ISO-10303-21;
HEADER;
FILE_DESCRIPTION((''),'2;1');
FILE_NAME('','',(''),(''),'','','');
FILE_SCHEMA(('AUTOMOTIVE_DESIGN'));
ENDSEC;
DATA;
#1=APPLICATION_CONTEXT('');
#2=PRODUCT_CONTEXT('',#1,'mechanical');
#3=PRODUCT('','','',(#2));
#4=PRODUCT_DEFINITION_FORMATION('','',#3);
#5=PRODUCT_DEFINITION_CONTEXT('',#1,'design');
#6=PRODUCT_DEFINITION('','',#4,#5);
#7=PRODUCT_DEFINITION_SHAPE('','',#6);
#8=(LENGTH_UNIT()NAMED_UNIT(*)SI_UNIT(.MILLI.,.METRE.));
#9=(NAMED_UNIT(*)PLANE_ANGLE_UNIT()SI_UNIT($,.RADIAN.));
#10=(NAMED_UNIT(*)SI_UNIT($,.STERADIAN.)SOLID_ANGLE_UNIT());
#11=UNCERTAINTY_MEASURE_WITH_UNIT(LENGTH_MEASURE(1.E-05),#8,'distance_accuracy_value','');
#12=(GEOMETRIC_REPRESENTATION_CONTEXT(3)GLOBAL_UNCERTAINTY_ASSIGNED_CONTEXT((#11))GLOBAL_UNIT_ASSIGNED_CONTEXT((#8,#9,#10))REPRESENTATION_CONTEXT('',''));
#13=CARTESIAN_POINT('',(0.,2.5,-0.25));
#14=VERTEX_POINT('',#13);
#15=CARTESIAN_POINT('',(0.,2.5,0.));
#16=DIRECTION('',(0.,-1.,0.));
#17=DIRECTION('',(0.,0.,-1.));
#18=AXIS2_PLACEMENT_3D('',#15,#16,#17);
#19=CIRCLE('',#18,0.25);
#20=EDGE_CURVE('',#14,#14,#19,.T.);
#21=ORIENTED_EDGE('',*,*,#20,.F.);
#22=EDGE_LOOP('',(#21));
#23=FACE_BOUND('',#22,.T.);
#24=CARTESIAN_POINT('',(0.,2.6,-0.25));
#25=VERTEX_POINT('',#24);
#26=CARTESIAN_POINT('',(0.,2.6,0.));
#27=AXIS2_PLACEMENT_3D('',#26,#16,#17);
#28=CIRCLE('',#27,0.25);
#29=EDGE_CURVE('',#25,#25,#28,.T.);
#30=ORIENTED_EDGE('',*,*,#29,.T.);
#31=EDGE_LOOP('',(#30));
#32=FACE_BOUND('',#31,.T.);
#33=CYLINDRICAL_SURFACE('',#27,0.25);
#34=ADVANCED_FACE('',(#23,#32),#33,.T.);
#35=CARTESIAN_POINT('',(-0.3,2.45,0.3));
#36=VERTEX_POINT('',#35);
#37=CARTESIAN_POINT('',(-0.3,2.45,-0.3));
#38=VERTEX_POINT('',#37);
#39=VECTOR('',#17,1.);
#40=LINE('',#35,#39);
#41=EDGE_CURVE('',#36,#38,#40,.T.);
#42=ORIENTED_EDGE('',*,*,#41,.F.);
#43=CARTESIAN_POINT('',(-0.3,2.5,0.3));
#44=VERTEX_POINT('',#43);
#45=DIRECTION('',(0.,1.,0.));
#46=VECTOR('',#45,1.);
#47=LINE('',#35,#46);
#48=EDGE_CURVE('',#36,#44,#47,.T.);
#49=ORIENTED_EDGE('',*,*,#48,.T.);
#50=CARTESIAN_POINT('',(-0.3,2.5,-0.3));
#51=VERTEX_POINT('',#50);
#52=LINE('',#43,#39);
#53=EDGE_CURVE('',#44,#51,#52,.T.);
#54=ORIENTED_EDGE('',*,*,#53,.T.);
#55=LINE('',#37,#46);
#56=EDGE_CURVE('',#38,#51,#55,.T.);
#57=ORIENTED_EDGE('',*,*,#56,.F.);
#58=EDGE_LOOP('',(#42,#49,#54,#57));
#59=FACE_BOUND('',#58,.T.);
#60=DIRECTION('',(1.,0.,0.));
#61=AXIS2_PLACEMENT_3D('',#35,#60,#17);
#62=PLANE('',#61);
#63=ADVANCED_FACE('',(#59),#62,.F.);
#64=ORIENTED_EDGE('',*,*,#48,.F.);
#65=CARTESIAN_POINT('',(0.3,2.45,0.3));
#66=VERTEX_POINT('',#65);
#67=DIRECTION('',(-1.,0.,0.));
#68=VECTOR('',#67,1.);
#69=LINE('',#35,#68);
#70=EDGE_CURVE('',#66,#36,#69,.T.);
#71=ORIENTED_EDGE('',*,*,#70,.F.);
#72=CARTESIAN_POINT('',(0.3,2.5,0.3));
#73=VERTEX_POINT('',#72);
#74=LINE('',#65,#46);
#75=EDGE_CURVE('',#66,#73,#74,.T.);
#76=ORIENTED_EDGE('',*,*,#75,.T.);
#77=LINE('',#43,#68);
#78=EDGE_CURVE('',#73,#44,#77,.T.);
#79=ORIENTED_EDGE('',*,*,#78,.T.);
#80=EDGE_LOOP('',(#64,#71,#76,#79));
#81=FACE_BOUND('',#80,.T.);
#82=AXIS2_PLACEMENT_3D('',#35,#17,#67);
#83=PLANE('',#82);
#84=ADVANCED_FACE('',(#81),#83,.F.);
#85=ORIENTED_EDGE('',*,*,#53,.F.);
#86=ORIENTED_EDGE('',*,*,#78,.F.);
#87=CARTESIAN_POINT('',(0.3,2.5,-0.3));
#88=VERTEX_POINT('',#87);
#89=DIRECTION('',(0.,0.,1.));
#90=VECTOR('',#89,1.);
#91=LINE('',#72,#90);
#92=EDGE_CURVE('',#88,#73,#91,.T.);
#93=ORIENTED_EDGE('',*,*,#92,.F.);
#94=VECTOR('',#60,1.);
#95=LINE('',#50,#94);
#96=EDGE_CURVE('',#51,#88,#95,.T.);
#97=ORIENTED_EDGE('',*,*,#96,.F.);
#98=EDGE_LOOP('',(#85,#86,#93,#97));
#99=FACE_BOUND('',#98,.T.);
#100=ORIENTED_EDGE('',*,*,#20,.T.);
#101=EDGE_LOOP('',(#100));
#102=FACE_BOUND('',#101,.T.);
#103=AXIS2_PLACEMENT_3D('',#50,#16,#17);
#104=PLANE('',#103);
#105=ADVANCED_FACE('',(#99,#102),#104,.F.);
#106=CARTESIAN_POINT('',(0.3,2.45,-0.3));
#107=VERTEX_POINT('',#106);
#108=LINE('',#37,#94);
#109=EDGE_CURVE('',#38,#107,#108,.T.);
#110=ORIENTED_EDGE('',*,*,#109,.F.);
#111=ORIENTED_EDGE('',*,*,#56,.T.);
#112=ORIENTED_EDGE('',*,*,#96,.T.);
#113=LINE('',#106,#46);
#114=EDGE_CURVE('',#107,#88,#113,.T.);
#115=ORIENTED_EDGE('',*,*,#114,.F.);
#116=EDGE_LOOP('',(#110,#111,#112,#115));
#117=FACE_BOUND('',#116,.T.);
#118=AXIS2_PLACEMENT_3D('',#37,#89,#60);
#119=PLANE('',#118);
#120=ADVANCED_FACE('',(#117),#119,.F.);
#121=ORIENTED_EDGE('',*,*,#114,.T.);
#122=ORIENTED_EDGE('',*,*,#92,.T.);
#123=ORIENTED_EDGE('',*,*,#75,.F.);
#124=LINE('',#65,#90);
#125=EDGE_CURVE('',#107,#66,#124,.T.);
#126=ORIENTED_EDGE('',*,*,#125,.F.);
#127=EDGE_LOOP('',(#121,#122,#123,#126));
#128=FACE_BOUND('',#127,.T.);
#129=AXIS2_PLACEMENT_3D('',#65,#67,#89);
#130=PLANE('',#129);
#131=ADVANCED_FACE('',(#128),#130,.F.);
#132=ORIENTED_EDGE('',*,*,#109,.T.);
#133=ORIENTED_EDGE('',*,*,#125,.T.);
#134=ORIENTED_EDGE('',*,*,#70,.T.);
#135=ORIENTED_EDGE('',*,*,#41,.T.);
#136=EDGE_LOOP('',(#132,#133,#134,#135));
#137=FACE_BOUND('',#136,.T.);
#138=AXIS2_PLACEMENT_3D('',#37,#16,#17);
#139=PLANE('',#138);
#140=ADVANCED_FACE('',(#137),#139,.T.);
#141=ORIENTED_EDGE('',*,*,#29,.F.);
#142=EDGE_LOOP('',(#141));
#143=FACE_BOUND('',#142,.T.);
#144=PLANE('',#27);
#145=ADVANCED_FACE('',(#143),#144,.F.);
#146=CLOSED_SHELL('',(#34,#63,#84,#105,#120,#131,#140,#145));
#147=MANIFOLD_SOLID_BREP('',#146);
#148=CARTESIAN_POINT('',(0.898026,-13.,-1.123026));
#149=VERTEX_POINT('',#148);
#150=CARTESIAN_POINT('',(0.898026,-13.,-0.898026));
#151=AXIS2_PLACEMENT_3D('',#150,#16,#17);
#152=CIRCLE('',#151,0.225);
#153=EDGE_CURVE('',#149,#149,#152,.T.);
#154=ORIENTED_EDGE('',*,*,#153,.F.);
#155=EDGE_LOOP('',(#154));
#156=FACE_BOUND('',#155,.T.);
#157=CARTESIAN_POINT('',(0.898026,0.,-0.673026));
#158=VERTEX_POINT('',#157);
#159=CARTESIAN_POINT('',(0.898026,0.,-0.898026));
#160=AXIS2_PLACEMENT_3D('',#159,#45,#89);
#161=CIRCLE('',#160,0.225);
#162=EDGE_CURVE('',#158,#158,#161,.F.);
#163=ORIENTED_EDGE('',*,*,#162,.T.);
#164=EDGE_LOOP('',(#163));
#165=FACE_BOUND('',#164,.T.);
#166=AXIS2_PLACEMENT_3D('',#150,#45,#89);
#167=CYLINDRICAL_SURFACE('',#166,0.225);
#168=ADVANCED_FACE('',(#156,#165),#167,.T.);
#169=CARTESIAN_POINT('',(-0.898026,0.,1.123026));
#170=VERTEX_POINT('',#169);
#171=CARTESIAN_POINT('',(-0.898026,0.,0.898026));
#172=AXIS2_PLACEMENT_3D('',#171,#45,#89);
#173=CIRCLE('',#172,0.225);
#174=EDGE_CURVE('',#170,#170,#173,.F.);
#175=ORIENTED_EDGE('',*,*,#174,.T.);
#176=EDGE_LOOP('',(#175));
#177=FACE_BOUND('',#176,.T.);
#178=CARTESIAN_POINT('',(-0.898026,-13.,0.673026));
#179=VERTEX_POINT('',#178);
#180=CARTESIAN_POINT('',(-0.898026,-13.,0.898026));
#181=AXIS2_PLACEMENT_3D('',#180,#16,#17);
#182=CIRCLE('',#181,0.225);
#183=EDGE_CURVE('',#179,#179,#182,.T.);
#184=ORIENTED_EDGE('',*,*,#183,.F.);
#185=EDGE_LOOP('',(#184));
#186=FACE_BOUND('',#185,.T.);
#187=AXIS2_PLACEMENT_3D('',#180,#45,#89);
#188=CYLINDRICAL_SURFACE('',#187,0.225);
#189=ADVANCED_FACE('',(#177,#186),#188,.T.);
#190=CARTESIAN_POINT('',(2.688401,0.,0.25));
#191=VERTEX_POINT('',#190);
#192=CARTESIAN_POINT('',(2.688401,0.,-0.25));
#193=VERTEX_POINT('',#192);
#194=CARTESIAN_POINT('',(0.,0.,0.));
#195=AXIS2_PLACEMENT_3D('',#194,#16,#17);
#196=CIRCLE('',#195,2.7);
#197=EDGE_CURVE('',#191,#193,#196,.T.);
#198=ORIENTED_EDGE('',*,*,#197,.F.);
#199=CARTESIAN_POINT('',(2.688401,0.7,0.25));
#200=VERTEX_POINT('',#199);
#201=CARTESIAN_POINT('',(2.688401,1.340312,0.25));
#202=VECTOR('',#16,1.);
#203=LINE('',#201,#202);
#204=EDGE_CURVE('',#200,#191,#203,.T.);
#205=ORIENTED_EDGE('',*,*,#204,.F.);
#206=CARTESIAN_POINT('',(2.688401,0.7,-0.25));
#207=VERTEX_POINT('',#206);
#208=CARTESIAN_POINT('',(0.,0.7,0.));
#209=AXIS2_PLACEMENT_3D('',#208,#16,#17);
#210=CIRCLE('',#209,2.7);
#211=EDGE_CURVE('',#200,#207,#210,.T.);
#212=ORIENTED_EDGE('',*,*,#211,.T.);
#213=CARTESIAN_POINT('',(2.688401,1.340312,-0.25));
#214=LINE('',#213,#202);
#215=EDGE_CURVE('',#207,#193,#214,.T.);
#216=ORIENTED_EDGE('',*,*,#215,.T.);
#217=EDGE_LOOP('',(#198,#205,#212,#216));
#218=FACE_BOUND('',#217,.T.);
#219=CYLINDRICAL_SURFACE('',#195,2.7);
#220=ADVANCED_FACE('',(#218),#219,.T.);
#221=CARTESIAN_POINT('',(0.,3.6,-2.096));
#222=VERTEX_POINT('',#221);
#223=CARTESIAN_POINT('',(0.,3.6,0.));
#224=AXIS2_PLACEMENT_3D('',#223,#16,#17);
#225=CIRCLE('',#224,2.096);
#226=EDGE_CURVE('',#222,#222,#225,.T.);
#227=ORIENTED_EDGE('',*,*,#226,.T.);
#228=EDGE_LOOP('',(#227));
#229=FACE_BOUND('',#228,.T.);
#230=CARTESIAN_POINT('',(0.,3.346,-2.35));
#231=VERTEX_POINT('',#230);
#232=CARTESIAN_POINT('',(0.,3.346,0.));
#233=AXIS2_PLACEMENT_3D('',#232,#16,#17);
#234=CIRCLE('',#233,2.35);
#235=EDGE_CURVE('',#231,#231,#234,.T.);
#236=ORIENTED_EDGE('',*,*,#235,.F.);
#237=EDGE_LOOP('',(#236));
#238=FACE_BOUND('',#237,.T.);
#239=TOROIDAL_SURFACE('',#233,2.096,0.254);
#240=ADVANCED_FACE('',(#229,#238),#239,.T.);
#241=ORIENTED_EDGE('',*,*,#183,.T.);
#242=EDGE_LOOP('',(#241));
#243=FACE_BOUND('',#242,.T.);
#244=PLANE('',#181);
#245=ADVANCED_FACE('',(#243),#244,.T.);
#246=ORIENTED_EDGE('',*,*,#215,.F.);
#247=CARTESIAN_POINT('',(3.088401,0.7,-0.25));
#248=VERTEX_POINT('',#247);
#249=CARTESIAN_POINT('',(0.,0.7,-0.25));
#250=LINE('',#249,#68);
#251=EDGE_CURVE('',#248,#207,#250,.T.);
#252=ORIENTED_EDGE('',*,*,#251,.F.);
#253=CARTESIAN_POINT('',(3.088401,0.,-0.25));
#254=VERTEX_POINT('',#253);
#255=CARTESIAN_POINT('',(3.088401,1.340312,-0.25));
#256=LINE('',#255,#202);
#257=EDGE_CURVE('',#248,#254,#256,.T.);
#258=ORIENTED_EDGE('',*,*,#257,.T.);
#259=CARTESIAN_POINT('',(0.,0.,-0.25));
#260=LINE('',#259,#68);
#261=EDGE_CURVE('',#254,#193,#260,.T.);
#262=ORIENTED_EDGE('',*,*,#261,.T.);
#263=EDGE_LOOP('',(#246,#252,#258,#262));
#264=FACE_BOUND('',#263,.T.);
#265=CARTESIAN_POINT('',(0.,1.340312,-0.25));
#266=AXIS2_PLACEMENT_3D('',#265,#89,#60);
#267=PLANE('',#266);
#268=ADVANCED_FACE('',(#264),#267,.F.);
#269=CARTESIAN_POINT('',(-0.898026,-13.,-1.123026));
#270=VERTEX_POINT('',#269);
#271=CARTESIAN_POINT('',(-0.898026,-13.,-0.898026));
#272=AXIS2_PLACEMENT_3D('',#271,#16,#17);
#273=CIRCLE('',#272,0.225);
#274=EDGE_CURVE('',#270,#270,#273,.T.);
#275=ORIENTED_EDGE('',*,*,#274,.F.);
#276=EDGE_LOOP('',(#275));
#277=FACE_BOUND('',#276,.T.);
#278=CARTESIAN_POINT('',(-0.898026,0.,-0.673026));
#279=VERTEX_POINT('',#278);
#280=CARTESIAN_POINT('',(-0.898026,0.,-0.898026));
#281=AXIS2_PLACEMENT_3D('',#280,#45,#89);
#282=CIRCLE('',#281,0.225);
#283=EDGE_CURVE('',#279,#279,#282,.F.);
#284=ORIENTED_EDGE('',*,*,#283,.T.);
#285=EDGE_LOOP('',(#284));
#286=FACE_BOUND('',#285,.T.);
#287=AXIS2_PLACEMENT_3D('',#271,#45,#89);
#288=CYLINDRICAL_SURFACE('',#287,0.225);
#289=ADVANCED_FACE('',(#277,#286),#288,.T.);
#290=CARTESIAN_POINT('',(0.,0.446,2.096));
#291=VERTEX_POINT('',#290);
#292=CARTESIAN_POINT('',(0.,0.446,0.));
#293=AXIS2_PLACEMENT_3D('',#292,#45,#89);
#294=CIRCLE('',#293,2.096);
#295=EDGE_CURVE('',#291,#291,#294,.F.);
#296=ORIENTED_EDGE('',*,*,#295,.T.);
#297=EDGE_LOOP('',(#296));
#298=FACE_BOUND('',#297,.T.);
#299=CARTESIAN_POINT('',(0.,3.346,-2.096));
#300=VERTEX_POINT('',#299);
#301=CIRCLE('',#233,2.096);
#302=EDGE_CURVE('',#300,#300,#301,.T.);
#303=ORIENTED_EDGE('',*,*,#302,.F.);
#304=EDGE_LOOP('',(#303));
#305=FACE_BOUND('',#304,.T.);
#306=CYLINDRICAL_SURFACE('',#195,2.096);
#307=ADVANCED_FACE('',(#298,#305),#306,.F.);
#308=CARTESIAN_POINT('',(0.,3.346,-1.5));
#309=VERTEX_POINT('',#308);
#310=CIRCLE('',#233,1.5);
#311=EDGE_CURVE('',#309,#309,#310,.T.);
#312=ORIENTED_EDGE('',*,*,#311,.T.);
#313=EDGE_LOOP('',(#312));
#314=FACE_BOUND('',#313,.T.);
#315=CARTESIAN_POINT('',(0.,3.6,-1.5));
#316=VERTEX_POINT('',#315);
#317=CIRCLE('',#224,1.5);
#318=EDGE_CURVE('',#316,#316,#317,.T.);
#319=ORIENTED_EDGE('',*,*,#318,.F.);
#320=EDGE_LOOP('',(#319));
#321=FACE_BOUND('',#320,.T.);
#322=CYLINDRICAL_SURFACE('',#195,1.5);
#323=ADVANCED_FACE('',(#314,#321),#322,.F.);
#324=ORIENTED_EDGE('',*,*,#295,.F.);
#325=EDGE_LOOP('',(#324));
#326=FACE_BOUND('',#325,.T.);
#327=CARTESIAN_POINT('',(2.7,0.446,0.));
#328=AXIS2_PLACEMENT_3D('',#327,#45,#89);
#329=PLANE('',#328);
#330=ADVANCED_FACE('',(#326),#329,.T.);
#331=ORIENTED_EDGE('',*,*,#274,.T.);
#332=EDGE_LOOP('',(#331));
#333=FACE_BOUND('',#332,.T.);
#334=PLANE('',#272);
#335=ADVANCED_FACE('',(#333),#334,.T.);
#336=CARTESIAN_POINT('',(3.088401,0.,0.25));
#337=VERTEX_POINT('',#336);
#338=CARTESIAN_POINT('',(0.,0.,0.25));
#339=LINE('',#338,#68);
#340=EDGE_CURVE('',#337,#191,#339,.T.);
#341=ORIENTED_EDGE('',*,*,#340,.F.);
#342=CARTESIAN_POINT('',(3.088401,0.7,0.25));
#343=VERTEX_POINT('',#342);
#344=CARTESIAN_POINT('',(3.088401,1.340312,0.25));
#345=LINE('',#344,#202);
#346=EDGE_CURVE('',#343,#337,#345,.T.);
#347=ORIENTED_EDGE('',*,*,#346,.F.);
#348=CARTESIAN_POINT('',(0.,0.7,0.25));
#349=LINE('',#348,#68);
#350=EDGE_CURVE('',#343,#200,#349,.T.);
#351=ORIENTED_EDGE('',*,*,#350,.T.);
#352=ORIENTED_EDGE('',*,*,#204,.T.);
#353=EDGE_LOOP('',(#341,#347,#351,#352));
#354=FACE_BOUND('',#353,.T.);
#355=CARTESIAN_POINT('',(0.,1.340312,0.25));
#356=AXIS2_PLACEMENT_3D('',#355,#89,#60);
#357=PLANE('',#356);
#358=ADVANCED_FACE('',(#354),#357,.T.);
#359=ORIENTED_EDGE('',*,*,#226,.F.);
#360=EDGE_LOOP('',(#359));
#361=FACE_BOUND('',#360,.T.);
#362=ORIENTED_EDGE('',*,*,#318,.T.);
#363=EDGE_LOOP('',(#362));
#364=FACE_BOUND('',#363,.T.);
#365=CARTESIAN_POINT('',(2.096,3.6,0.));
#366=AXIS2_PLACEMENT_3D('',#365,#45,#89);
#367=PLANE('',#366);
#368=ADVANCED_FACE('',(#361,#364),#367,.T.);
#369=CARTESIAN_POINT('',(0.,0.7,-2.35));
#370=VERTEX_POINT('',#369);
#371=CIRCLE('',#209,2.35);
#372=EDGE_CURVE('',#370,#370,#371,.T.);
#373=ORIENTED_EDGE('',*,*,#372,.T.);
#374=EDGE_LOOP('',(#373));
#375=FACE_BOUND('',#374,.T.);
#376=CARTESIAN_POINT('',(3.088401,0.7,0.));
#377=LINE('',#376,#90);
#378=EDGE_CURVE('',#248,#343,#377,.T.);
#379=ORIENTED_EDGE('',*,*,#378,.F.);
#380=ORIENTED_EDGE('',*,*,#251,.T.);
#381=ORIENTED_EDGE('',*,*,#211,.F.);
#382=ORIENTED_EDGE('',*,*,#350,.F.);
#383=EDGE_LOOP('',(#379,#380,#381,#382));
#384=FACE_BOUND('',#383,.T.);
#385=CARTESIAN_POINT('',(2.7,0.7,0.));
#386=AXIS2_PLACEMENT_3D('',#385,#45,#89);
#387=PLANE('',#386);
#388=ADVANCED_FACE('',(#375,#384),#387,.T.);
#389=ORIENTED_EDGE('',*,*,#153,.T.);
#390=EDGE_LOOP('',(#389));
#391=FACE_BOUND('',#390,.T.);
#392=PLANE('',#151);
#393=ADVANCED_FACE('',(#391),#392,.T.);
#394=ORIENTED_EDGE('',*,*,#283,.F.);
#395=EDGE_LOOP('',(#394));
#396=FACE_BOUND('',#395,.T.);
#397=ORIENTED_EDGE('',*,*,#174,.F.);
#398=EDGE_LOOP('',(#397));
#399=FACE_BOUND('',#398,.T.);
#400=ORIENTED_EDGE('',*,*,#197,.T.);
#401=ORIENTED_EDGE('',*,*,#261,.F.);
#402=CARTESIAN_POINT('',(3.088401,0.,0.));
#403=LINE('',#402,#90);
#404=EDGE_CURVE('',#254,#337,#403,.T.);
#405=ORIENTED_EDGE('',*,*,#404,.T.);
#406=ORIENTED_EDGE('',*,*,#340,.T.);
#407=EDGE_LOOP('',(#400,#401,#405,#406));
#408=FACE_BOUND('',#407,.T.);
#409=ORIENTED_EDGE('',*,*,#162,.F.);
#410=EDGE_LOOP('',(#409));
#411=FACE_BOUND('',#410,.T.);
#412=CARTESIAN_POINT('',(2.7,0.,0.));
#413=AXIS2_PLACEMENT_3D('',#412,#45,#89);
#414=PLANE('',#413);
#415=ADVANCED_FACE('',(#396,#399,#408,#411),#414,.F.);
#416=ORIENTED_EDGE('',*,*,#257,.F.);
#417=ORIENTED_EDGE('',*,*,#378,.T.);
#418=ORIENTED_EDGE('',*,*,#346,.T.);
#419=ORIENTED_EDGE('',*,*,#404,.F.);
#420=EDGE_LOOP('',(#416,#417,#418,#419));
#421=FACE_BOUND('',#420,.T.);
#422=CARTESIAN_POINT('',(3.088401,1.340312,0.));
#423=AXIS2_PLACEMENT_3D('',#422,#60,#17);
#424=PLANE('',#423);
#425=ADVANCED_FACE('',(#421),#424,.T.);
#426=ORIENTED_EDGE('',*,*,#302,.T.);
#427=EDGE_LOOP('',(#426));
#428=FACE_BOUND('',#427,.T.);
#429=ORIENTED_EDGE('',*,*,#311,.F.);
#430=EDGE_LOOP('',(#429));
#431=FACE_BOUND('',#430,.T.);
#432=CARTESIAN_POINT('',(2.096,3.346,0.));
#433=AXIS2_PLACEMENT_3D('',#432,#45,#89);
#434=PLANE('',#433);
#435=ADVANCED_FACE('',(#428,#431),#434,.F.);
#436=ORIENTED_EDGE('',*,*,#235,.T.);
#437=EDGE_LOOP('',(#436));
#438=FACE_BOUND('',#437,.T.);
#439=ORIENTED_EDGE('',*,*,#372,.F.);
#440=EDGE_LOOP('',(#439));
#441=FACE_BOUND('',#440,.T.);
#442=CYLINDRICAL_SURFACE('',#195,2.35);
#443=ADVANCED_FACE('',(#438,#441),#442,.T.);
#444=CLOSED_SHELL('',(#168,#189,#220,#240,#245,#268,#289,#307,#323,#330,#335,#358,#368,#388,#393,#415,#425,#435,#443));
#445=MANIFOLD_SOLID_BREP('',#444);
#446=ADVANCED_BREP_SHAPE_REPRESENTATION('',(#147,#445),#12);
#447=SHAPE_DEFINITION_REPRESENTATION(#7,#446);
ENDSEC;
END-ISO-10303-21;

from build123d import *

# Parameters (mm, degrees)
SKETCH2_R           = 2.7
BOSS_EXTRUDE1_DEPTH = 0.446
BOSS_EXTRUDE2_START = -2.5
SKETCH3_W           = 0.6
SKETCH3_H           = 0.6
BOSS_EXTRUDE2_DEPTH = 0.05
SKETCH8_R           = 0.25
BOSS_EXTRUDE6_DEPTH = 0.1
BOSS_EXTRUDE8_DEPTH = 0.7
SKETCH5_R           = 0.225
BOSS_EXTRUDE4_DEPTH = 13


with BuildPart() as part:
    # Sketch1 → Revolve-Thin2 (revolve)
    with BuildSketch(Plane.XY, mode=Mode.PRIVATE) as revolve_thin2_sk:
        with BuildLine():
            Line((2.7, 0), (2.7, 0.7))
            Line((2.7, 0.7), (2.35, 0.7))
            Line((2.35, 0.7), (2.35, 3.346))
            ThreePointArc((2.35, 3.346), (2.275605122, 3.525605122), (2.096, 3.6))
            Line((2.096, 3.6), (1.5, 3.6))
            Line((1.5, 3.6), (1.5, 3.346))
            Line((1.5, 3.346), (2.096, 3.346))
            Line((2.096, 3.346), (2.096, 0.446))
            Line((2.096, 0.446), (2.446, 0.446))
            Line((2.446, 0.446), (2.446, 0))
            Line((2.446, 0), (2.7, 0))
        make_face()
    revolve(revolve_thin2_sk.sketch.rotate(Axis((0, 0, 0), (0, 1, 0)), 90), axis=Axis((0, 0, 0), (0, 1, 0)))  # turned: the seam where the file's is

    # Sketch2 → Boss-Extrude1 (add)
    with BuildSketch(Plane.XZ):
        with Locations(Location((0, 0, 0), (0, 0, 270))):  # turned: the seam where the file's is
            Circle(SKETCH2_R)
    extrude(amount=-BOSS_EXTRUDE1_DEPTH)

    # Sketch11 → Boss-Extrude8 (add)
    with BuildSketch(Plane.XZ):
        with BuildLine():
            Line((3.088401012, -0.25), (3.088401012, 0))
            Line((3.088401012, 0), (3.088401012, 0.25))
            Line((3.088401012, 0.25), (2.688401012, 0.25))
            ThreePointArc((2.688401012, 0.25), (2.697098694, 0.125134464), (2.7, 0))
            ThreePointArc((2.7, 0), (2.697098694, -0.125134464), (2.688401012, -0.25))
            Line((2.688401012, -0.25), (3.088401012, -0.25))
        make_face()
    extrude(amount=-BOSS_EXTRUDE8_DEPTH)

    # Sketch5 → Boss-Extrude4 (add)
    with BuildSketch(Plane.XZ):
        with Locations(Location((0.898025612, -0.898025612, 0), (0, 0, 90))):  # turned: the seam where the file's is
            Circle(SKETCH5_R)
        with Locations(Location((-0.898025612, 0.898025612, 0), (0, 0, 90))):  # turned: the seam where the file's is
            Circle(SKETCH5_R)
        with Locations(Location((-0.898025612, -0.898025612, 0), (0, 0, 90))):  # turned: the seam where the file's is
            Circle(SKETCH5_R)
    extrude(amount=BOSS_EXTRUDE4_DEPTH)


with BuildPart() as body_2:
    # Sketch3 → Boss-Extrude2 (new body)
    with BuildSketch(Plane.XZ.offset(BOSS_EXTRUDE2_START)):
        Rectangle(SKETCH3_W, SKETCH3_H)
    extrude(amount=BOSS_EXTRUDE2_DEPTH)

    # Sketch8 → Boss-Extrude6 (add)
    with BuildSketch(Plane(origin=(0, 2.5, 0), x_dir=(-1, 0, 0), z_dir=(0, 1, 0))):
        with Locations(Location((0, 0, 0), (0, 0, 270))):  # turned: the seam where the file's is
            Circle(SKETCH8_R)
    extrude(amount=BOSS_EXTRUDE6_DEPTH)


solid = Compound([part.part, body_2.part])
